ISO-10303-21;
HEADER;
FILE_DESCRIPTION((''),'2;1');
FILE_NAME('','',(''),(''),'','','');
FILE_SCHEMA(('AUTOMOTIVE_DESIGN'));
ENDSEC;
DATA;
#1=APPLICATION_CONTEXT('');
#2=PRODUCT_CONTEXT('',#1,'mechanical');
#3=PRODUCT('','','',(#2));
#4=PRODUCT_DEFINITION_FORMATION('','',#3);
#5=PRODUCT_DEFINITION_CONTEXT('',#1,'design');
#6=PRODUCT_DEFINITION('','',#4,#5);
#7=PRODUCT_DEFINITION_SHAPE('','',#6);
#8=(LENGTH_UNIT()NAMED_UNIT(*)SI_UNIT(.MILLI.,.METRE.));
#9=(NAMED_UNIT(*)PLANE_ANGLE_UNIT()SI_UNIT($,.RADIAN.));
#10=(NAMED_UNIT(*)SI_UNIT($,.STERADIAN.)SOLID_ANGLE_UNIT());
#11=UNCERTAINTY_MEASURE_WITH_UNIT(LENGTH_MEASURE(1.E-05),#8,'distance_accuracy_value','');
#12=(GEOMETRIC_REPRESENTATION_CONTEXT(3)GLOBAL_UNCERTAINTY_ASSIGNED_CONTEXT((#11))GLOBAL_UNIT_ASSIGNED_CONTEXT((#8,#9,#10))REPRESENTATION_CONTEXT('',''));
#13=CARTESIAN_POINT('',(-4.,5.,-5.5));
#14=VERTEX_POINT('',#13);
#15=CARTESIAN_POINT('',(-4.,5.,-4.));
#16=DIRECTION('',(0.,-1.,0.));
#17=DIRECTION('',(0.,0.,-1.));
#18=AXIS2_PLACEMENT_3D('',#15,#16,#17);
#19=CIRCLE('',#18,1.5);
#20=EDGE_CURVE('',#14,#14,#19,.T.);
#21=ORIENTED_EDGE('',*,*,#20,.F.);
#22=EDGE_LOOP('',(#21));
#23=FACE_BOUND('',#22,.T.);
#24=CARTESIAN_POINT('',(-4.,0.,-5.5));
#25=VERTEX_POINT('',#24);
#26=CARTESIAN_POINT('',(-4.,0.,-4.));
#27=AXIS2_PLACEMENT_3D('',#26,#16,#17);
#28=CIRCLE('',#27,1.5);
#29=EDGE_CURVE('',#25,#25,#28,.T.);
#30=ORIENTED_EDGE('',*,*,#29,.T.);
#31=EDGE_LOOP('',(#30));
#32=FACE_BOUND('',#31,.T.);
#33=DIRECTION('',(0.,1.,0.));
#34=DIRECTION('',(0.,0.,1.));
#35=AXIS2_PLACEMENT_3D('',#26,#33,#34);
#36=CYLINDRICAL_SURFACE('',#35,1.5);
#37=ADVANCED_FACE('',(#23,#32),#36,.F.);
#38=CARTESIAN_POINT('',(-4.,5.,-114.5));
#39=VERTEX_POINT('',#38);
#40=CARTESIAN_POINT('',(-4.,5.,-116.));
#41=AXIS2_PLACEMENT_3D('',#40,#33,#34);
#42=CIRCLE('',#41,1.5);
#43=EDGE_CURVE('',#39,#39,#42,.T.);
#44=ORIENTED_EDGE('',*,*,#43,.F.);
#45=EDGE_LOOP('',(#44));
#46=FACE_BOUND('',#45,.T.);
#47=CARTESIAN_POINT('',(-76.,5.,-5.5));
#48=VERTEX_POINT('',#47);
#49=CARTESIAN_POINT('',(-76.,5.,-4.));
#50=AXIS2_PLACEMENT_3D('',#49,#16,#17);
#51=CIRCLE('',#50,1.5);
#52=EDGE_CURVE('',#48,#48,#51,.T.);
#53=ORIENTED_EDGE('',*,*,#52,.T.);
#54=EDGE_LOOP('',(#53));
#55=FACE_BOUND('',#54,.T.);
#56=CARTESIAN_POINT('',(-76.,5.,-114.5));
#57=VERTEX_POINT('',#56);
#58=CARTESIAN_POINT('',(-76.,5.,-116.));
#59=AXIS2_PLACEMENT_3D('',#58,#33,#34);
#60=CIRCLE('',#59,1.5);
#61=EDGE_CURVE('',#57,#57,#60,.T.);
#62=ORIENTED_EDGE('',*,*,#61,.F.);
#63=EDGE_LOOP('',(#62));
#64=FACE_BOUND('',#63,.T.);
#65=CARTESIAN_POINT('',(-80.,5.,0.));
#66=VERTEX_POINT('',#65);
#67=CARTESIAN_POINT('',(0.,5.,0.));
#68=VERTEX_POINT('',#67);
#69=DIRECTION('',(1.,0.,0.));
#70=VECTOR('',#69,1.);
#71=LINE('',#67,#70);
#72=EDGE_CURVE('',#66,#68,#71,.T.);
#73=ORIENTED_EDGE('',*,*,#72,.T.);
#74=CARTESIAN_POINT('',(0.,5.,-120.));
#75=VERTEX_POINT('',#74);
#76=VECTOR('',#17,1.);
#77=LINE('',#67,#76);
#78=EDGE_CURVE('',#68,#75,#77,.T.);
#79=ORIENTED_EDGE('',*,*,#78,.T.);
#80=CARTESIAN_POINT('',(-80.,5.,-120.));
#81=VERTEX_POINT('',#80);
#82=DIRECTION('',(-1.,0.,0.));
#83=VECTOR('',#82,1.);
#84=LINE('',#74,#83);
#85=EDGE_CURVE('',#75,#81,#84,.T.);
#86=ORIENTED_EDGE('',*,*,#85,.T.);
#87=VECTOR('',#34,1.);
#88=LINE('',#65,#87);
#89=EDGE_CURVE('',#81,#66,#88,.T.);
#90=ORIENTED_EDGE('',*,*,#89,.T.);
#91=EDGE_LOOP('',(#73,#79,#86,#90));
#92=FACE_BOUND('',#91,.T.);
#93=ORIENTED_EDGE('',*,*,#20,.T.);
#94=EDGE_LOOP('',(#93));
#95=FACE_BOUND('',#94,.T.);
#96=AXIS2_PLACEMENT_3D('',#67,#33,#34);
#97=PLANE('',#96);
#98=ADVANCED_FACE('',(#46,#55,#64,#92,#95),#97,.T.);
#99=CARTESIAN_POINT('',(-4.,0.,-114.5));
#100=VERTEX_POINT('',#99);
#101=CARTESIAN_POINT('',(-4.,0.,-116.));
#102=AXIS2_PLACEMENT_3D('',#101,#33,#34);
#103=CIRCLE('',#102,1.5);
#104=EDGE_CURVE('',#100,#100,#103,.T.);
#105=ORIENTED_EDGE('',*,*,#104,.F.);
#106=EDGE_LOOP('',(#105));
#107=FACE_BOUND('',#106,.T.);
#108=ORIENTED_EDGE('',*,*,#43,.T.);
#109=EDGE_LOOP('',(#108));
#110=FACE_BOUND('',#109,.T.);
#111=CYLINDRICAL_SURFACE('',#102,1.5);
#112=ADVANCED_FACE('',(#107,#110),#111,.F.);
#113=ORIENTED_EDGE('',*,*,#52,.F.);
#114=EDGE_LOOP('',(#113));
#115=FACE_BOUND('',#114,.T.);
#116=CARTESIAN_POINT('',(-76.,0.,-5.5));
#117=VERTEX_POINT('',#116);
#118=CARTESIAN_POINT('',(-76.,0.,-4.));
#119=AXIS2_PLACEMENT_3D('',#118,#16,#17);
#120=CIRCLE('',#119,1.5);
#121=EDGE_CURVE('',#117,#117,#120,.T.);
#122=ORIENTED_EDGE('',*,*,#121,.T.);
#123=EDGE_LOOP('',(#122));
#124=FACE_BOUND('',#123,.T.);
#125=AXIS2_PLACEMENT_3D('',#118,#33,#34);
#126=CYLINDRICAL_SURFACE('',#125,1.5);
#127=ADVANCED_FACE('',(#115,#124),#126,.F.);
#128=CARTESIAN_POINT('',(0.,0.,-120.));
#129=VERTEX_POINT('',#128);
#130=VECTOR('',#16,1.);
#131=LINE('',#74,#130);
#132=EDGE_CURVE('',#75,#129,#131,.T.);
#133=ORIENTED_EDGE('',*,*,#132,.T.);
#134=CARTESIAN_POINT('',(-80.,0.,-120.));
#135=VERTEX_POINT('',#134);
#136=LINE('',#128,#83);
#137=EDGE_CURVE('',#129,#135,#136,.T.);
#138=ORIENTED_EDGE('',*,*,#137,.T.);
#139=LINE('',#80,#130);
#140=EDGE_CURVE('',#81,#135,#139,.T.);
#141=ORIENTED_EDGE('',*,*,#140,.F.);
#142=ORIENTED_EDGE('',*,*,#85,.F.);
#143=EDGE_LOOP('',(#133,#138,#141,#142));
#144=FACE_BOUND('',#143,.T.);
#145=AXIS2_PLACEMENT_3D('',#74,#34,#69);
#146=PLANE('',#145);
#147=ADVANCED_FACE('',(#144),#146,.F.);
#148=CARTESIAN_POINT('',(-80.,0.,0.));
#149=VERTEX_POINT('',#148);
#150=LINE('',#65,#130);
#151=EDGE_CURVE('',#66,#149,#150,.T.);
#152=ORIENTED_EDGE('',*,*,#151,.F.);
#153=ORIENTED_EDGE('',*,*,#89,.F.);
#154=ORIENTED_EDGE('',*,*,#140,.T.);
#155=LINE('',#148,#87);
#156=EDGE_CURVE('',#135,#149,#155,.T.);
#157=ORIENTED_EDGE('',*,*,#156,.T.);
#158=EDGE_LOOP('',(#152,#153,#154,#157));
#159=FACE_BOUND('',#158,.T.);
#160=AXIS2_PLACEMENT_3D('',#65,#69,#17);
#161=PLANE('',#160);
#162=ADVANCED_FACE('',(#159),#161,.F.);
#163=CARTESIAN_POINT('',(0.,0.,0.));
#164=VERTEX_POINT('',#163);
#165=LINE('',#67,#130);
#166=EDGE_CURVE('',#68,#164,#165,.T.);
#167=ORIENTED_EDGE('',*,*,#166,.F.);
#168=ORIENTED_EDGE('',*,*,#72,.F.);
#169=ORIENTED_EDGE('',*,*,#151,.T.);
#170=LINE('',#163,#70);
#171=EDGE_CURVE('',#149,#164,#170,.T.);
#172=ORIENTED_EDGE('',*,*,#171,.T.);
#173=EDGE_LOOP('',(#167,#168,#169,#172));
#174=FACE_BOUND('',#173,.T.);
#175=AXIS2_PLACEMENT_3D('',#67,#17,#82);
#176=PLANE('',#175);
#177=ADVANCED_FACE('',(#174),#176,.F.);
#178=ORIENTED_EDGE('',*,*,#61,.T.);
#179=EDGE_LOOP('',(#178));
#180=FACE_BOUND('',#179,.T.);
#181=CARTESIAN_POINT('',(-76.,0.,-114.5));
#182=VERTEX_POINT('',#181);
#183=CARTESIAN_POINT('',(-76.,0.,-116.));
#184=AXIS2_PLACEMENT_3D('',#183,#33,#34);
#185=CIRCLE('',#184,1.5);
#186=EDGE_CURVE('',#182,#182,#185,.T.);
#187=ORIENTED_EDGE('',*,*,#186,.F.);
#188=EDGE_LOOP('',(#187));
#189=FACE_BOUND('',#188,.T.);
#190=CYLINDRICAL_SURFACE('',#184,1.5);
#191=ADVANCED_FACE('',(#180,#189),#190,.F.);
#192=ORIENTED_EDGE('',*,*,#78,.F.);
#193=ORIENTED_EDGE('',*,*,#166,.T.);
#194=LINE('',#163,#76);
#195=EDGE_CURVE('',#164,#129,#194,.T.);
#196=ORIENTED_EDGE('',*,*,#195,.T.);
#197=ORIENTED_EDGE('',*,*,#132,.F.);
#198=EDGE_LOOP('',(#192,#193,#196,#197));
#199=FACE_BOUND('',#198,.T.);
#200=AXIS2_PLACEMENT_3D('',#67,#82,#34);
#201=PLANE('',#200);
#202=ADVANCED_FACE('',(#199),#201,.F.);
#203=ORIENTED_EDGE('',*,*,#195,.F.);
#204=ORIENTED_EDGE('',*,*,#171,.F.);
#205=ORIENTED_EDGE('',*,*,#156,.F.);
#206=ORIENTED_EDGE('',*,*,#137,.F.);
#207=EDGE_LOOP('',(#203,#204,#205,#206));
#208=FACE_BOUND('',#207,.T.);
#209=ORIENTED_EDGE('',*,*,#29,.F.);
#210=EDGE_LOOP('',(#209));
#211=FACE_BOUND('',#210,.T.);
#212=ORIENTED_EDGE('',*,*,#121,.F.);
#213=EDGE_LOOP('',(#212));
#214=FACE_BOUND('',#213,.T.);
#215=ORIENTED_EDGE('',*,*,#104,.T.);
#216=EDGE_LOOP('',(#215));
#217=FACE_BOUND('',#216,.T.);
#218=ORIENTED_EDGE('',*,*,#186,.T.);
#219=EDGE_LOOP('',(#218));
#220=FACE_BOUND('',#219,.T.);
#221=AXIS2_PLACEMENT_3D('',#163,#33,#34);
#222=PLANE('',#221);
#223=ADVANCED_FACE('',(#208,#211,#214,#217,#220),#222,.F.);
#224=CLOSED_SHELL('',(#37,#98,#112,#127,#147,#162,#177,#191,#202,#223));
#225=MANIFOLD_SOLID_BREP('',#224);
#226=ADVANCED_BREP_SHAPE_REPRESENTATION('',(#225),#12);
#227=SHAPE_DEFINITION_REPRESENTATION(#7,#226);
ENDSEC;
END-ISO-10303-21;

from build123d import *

# Parameters (mm, degrees)
SKETCH1_W           = 80
SKETCH1_H           = 120
BOSS_EXTRUDE1_DEPTH = 5
SKETCH2_R           = 1.5
CUT_EXTRUDE1_DEPTH  = 145.308696897
SKETCH3_R           = 1.5
CUT_EXTRUDE2_DEPTH  = 145.308696897


with BuildPart() as part:
    # Sketch1 → Boss-Extrude1 (new body)
    with BuildSketch(Plane(origin=(0, 0, 0), x_dir=(1, 0, 0), z_dir=(0, 1, 0))):
        with Locations((-40, 60)):
            Rectangle(SKETCH1_W, SKETCH1_H)
    extrude(amount=BOSS_EXTRUDE1_DEPTH)

    # Sketch2 → Cut-Extrude1 (cut, through all)
    with BuildSketch(Plane(origin=(0, 5, 0), x_dir=(1, 0, 0), z_dir=(0, 1, 0))):
        with Locations(Location((-76, 116, 0), (0, 0, 270))):
            Circle(SKETCH2_R)
    cut_extrude1 = extrude(amount=-CUT_EXTRUDE1_DEPTH, mode=Mode.SUBTRACT)

    # Sketch3 → Cut-Extrude2 (cut, through all)
    with BuildSketch(Plane(origin=(0, 5, 0), x_dir=(1, 0, 0), z_dir=(0, 1, 0))):
        with Locations(Location((-4, 116, 0), (0, 0, 270))):
            Circle(SKETCH3_R)
    cut_extrude2 = extrude(amount=-CUT_EXTRUDE2_DEPTH, mode=Mode.SUBTRACT)

    # Mirror1: Cut-Extrude1, Cut-Extrude2 across plane
    add(cut_extrude1.mirror(Plane.XY.offset(-60)), mode=Mode.SUBTRACT)
    add(cut_extrude2.mirror(Plane.XY.offset(-60)), mode=Mode.SUBTRACT)


solid = part.part
